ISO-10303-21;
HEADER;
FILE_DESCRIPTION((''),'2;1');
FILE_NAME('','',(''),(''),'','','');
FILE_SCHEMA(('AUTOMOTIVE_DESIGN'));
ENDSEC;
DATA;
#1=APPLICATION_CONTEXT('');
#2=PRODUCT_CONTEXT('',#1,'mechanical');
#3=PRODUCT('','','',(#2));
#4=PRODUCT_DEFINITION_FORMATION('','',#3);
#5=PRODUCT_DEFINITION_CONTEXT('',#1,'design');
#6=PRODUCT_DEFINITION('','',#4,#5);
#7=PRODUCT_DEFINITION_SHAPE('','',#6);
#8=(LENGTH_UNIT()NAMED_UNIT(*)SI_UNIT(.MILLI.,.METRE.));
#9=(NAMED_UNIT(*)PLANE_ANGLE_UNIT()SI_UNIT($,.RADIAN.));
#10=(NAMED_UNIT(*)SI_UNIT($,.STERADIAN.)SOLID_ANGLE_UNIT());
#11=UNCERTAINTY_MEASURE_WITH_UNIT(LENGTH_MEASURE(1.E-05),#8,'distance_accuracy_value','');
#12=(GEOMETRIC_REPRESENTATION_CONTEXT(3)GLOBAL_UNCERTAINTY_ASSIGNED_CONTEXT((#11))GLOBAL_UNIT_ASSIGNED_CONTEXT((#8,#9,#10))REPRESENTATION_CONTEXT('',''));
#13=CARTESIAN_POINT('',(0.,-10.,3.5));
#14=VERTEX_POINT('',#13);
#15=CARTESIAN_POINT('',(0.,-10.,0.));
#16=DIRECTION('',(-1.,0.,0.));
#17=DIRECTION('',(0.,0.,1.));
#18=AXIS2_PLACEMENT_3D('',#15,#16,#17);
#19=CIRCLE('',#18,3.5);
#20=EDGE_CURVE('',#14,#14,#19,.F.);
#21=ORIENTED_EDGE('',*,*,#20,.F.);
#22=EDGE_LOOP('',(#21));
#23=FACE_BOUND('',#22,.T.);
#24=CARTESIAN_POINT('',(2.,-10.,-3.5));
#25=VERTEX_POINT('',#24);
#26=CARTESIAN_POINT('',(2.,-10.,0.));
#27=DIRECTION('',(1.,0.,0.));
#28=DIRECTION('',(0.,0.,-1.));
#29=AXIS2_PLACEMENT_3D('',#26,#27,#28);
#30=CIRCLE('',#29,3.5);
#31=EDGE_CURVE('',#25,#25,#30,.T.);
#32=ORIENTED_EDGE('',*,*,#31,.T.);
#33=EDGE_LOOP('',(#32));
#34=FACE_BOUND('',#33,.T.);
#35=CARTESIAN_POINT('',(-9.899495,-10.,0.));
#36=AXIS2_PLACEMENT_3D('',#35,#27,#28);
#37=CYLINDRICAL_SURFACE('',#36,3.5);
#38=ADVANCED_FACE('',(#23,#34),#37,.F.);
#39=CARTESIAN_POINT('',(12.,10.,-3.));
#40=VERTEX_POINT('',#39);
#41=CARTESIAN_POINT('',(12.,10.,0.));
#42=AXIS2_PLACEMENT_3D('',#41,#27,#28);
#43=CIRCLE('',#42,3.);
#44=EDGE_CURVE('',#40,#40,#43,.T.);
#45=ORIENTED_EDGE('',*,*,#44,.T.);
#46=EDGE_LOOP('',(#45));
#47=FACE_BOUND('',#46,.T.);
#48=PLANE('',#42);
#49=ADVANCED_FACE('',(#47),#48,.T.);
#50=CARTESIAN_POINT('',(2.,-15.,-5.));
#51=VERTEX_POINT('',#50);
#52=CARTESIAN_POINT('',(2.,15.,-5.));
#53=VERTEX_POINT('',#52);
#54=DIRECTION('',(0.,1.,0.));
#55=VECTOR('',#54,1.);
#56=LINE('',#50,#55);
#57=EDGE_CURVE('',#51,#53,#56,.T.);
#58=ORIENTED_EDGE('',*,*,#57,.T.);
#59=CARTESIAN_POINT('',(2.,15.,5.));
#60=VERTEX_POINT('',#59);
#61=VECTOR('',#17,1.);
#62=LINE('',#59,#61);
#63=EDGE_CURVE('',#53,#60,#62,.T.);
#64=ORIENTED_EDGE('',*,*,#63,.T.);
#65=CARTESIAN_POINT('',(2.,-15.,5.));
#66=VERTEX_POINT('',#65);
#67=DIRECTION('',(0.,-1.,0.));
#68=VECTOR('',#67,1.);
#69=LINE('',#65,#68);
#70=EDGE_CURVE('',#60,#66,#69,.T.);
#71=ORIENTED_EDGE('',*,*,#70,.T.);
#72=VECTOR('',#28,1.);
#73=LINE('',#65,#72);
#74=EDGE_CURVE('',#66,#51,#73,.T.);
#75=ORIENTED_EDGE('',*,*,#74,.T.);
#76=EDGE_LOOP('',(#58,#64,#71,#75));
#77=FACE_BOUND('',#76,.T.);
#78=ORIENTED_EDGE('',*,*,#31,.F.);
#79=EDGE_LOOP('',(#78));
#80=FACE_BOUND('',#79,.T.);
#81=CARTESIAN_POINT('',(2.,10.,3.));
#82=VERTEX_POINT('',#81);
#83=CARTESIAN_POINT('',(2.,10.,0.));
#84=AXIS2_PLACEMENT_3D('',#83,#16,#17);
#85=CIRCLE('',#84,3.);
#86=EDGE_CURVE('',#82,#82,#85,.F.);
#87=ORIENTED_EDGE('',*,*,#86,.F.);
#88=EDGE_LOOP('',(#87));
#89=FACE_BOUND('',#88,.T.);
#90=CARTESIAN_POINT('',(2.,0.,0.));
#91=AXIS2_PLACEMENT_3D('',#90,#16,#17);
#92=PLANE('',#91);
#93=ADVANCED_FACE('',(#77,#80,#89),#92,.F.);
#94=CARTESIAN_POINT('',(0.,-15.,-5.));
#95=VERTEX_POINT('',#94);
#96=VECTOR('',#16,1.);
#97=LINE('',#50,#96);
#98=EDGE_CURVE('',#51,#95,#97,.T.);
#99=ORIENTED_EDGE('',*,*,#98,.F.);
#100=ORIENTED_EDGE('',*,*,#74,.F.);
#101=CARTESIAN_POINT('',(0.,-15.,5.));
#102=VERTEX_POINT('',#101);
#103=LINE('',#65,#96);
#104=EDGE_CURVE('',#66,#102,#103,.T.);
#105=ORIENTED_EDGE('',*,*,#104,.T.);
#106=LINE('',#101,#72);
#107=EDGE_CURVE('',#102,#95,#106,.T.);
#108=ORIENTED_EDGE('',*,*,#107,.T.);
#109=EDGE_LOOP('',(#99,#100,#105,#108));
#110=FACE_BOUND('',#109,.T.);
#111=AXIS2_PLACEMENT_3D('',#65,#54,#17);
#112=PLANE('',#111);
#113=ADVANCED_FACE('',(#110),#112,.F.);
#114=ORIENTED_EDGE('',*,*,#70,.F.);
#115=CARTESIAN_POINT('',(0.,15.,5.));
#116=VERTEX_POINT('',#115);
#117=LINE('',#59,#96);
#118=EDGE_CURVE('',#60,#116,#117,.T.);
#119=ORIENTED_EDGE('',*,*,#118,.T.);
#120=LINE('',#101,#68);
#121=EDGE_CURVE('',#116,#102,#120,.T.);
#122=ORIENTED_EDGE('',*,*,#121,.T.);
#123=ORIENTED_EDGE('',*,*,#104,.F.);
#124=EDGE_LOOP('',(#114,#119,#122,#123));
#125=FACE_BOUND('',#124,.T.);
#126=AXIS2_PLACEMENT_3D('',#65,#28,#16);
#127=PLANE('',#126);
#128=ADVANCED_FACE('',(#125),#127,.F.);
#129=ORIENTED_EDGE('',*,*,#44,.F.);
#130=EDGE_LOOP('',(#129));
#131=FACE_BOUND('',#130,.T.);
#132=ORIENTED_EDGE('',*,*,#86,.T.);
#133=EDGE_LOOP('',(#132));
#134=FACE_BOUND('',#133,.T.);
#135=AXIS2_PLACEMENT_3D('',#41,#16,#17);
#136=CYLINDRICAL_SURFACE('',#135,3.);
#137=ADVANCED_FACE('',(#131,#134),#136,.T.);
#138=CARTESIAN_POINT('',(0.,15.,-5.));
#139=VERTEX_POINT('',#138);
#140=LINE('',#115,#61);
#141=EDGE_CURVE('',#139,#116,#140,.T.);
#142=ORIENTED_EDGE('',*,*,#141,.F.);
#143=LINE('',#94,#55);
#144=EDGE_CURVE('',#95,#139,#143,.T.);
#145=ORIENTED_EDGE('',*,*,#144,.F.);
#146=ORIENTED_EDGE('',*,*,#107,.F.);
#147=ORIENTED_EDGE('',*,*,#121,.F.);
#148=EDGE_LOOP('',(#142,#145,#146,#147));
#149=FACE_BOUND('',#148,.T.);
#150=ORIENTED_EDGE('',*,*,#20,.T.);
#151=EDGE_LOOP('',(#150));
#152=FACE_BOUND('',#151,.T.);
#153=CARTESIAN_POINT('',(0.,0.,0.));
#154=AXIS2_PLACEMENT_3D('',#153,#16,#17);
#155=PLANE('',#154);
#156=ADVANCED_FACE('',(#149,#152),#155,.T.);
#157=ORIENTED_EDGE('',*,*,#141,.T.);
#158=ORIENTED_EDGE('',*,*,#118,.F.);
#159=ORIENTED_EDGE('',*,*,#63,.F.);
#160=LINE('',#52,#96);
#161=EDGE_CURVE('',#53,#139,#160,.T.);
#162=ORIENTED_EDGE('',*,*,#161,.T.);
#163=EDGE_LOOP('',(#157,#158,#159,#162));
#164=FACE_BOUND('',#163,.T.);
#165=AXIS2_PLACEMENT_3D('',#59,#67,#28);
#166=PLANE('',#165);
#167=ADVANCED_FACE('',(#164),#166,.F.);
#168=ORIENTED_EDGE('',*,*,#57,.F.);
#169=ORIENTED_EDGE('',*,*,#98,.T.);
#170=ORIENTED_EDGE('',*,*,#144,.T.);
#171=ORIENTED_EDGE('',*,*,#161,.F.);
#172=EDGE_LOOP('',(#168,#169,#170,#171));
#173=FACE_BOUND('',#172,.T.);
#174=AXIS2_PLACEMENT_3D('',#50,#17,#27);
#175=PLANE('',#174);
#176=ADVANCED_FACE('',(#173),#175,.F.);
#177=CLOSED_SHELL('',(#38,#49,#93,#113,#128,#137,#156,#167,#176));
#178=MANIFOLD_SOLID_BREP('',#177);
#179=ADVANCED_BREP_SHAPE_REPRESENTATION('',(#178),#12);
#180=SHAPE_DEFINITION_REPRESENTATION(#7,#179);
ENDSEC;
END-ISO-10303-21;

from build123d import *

# Parameters (mm, degrees)
SKETCH1_W           = 10
SKETCH1_H           = 30
BOSS_EXTRUDE1_DEPTH = 2
SKETCH2_R           = 3.5
CUT_EXTRUDE1_DEPTH  = 2
SKETCH3_R           = 3
BOSS_EXTRUDE2_DEPTH = 10


with BuildPart() as part:
    # Sketch1 → Boss-Extrude1 (new body)
    with BuildSketch(Plane(origin=(0, 0, 0), x_dir=(0, 0, -1), z_dir=(1, 0, 0))):
        Rectangle(SKETCH1_W, SKETCH1_H)
    extrude(amount=BOSS_EXTRUDE1_DEPTH)

    # Sketch2 → Cut-Extrude1 (cut)
    with BuildSketch(Plane(origin=(2, 0, 0), x_dir=(0, 0, -1), z_dir=(1, 0, 0))):
        with Locations((0, -10)):
            Circle(SKETCH2_R)
    extrude(amount=-CUT_EXTRUDE1_DEPTH, mode=Mode.SUBTRACT)

    # Sketch3 → Boss-Extrude2 (add)
    with BuildSketch(Plane(origin=(2, 0, 0), x_dir=(0, 0, -1), z_dir=(1, 0, 0))):
        with Locations((0, 10)):
            Circle(SKETCH3_R)
    extrude(amount=BOSS_EXTRUDE2_DEPTH)


solid = part.part
